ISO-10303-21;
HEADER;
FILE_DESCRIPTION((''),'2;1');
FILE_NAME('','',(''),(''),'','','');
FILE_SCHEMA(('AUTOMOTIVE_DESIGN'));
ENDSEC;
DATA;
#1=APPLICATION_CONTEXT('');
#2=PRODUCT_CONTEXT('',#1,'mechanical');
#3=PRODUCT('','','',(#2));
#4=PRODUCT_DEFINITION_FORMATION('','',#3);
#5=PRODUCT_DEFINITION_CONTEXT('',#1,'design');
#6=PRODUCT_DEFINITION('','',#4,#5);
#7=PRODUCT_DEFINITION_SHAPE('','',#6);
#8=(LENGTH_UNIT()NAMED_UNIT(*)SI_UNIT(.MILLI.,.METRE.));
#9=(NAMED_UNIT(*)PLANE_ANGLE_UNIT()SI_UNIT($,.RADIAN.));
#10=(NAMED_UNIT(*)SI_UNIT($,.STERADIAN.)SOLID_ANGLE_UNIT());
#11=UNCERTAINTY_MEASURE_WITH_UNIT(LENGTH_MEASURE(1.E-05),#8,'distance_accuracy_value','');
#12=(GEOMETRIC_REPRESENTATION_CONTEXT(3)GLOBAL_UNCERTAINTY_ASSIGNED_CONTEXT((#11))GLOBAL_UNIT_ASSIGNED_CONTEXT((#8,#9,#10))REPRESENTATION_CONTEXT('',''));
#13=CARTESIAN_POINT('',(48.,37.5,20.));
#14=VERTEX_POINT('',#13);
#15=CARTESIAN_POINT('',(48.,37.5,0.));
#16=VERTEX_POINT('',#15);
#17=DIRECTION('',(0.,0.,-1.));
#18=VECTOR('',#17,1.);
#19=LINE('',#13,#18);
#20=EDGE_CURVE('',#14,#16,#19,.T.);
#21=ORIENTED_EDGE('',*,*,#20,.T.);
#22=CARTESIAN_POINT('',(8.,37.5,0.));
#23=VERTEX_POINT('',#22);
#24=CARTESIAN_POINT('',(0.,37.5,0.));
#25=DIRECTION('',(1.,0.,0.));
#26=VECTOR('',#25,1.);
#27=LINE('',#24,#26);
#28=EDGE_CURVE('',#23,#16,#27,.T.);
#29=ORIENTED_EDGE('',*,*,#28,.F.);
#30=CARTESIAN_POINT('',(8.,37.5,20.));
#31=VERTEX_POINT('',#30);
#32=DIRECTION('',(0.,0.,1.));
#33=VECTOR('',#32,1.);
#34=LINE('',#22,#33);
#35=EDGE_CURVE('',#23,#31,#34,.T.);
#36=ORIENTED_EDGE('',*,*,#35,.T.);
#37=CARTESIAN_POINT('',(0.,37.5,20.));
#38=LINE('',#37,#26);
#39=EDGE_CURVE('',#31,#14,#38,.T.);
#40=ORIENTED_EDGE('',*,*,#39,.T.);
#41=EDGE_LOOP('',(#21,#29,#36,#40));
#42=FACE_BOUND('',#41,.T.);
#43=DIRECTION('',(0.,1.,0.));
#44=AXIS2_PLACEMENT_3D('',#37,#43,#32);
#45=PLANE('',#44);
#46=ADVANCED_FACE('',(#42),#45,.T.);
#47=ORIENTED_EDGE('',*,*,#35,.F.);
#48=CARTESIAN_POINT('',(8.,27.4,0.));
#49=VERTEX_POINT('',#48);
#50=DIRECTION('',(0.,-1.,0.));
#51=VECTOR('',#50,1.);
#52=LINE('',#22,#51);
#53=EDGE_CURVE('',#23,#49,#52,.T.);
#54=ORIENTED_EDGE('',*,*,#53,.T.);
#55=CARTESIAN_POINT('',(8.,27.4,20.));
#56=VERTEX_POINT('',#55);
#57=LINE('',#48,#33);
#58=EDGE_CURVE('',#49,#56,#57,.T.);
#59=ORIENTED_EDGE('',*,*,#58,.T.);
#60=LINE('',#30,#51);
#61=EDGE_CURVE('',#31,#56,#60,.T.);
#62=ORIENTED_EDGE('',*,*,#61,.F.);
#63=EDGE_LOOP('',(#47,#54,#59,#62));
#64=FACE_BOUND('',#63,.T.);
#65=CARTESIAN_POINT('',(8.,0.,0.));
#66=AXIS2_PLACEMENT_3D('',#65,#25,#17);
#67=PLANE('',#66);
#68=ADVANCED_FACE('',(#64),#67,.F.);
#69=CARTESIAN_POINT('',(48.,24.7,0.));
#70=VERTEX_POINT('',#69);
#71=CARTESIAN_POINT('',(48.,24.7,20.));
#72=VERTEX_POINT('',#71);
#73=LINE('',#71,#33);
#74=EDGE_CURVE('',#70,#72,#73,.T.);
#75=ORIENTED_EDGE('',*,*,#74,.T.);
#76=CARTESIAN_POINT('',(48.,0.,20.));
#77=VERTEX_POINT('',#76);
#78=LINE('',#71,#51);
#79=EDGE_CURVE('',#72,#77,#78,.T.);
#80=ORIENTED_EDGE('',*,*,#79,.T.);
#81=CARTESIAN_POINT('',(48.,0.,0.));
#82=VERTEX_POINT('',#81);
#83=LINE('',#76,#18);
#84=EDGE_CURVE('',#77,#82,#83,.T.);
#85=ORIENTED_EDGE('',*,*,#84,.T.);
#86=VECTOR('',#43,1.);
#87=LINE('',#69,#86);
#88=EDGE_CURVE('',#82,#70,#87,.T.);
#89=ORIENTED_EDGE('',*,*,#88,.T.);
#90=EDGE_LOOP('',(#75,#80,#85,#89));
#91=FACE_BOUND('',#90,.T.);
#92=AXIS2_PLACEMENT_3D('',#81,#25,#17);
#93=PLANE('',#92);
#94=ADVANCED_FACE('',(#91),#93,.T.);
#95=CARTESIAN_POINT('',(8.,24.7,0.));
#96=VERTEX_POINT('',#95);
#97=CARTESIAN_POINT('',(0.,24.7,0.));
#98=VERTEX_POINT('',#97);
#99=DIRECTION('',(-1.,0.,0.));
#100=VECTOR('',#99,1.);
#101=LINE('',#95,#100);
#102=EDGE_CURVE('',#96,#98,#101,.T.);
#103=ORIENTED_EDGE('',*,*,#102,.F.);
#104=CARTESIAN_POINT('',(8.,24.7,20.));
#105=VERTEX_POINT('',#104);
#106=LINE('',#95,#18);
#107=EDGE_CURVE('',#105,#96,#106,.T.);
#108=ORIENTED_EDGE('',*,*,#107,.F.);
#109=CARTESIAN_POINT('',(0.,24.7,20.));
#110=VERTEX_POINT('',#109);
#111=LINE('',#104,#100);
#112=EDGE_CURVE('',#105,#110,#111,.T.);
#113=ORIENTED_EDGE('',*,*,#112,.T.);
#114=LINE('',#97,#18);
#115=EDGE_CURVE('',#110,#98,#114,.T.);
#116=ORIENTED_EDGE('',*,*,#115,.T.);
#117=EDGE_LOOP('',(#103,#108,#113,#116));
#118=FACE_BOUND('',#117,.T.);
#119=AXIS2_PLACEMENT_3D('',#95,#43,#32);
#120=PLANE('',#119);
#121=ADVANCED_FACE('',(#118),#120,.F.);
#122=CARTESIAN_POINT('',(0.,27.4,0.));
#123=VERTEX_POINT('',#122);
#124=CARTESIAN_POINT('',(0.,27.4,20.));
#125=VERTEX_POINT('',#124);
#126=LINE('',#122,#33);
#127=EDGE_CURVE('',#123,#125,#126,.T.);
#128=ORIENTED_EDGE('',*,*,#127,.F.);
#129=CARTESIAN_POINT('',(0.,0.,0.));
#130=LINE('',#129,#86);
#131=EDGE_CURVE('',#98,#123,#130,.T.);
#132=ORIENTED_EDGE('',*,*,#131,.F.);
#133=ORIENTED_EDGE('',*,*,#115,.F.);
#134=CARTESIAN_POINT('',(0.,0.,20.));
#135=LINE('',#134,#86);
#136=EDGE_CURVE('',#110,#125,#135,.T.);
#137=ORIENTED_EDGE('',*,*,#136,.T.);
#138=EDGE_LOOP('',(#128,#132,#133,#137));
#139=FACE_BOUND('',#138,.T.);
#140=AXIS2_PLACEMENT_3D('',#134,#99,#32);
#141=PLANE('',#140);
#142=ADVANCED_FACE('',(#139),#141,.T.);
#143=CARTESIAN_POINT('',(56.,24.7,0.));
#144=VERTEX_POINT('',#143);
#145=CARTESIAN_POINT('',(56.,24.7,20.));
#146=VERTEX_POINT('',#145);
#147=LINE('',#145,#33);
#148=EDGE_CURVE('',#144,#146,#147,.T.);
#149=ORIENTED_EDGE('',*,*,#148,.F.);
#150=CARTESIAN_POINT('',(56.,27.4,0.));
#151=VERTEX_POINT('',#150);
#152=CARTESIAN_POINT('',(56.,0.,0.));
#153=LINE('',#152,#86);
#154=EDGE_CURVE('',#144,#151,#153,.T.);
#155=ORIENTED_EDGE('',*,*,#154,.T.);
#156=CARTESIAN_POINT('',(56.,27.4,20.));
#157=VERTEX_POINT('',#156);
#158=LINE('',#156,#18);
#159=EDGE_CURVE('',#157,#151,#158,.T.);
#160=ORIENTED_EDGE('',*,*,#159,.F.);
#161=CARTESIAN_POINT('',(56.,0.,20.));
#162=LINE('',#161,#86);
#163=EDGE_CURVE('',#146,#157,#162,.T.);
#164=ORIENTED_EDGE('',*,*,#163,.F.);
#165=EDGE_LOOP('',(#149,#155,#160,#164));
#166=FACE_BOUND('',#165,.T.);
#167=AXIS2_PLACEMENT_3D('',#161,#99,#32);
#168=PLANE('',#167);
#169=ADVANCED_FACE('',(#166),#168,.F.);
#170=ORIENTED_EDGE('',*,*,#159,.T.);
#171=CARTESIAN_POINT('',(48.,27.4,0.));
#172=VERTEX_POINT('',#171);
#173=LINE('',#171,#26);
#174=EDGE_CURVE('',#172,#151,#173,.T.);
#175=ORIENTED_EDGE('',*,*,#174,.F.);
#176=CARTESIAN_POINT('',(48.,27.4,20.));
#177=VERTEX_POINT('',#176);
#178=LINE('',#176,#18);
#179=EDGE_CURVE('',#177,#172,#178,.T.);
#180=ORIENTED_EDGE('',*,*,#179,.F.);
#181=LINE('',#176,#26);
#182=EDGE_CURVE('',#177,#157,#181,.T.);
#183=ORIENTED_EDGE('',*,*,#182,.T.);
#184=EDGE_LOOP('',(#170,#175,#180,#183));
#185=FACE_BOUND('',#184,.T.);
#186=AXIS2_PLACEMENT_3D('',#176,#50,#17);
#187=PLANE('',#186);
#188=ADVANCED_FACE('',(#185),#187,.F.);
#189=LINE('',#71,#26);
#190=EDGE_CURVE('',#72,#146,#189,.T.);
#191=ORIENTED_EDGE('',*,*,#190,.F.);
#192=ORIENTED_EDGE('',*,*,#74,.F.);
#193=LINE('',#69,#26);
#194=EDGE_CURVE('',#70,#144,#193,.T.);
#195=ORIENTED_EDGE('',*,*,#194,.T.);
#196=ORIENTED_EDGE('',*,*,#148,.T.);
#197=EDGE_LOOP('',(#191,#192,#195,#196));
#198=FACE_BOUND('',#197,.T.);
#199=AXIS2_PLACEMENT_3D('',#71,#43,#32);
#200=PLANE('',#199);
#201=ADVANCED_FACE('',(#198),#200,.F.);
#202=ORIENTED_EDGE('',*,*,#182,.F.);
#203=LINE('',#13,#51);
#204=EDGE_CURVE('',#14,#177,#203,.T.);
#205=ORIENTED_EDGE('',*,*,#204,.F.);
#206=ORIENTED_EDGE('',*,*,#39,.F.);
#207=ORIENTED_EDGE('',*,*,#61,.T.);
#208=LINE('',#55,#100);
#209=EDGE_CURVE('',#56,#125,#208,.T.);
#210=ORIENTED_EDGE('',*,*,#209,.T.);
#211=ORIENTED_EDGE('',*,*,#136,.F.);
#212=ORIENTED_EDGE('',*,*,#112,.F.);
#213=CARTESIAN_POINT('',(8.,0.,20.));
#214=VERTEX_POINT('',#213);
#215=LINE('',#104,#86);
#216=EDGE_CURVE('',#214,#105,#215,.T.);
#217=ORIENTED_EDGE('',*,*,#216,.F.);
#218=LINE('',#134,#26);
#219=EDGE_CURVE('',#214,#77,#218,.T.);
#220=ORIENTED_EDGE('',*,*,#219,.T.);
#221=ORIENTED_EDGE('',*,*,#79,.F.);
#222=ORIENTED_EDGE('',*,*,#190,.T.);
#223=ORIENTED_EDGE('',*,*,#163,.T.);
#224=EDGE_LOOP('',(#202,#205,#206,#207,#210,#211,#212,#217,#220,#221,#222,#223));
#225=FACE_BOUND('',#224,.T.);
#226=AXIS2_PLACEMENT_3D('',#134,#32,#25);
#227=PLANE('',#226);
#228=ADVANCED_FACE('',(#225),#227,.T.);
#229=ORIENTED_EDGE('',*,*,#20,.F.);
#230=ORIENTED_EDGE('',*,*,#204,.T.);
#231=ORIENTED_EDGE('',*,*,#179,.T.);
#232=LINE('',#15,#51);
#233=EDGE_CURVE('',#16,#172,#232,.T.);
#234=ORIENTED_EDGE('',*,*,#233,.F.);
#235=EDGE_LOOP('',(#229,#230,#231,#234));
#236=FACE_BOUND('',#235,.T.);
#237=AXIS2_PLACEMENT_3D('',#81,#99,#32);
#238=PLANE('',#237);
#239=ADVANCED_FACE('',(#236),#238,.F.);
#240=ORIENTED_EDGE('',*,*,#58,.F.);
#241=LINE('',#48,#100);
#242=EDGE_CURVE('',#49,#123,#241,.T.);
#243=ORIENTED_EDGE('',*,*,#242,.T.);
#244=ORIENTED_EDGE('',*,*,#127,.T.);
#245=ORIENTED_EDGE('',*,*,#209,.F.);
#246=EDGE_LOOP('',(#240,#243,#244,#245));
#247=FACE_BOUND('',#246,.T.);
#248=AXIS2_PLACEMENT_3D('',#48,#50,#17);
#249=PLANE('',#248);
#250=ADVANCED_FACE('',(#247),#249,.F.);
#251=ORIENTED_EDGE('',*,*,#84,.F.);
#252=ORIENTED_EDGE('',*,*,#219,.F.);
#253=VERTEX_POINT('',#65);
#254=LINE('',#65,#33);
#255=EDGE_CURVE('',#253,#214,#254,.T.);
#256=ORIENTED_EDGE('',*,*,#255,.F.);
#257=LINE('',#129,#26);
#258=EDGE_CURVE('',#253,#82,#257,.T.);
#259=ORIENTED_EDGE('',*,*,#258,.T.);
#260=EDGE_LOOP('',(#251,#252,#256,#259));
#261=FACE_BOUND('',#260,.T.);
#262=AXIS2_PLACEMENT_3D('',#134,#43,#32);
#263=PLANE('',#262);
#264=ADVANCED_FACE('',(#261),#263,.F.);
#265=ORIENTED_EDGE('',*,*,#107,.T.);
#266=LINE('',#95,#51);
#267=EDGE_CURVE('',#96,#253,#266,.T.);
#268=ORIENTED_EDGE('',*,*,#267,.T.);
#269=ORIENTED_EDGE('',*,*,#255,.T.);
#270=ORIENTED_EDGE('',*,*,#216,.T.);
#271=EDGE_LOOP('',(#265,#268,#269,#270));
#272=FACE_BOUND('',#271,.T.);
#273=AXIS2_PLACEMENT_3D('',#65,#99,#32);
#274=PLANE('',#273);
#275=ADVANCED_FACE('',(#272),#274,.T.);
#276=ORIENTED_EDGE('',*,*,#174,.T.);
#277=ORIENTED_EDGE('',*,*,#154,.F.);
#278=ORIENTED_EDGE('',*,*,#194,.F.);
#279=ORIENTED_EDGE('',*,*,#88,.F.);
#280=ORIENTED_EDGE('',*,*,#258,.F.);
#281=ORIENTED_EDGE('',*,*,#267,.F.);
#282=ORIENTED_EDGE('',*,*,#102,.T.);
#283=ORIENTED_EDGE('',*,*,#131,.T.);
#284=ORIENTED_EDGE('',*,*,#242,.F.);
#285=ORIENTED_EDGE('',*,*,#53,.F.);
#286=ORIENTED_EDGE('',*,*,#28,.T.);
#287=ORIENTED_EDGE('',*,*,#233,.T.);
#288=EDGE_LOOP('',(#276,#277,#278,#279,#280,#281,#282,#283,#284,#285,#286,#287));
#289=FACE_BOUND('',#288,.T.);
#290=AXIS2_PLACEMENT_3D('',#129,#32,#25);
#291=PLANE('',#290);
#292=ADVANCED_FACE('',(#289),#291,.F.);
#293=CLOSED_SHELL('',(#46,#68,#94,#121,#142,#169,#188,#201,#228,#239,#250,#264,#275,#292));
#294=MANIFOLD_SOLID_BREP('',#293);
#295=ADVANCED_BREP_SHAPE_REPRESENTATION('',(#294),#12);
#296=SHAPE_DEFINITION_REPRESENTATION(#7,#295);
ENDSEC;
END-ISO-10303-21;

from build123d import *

# Parameters (mm, degrees)
SKETCH1_W           = 8.153779141
SKETCH1_H           = 12.8
SKETCH1_H_2         = 24.7
SKETCH1_W_2         = 40
SKETCH1_W_3         = 7.846220859
BOSS_EXTRUDE1_DEPTH = 20
SKETCH4_W           = 20
SKETCH4_H           = 24.7
CUT_EXTRUDE1_DEPTH  = 8
SKETCH5_W           = 20
SKETCH5_H           = 24.7
CUT_EXTRUDE2_DEPTH  = 8
SKETCH6_W           = 20
SKETCH6_H           = 10.1
CUT_EXTRUDE3_DEPTH  = 8
SKETCH7_W           = 20
SKETCH7_H           = 10.1
CUT_EXTRUDE4_DEPTH  = 8


with BuildPart() as part:
    # Sketch1 → Boss-Extrude1 (new body)
    with BuildSketch(Plane.XY):
        with Locations((4.076889571, 31.1)):
            Rectangle(SKETCH1_W, SKETCH1_H)
        with Locations((4.076889571, 12.35)):
            Rectangle(SKETCH1_W, SKETCH1_H_2)
        with Locations((28.153779141, 31.1)):
            Rectangle(SKETCH1_W_2, SKETCH1_H)
        with Locations((28.153779141, 12.35)):
            Rectangle(SKETCH1_W_2, SKETCH1_H_2)
        with Locations((52.076889571, 31.1)):
            Rectangle(SKETCH1_W_3, SKETCH1_H)
        with Locations((52.076889571, 12.35)):
            Rectangle(SKETCH1_W_3, SKETCH1_H_2)
    extrude(amount=BOSS_EXTRUDE1_DEPTH)

    # Sketch4 → Cut-Extrude1 (cut)
    with BuildSketch(Plane.ZY):
        with Locations((10, 12.35)):
            Rectangle(SKETCH4_W, SKETCH4_H)
    extrude(amount=-CUT_EXTRUDE1_DEPTH, mode=Mode.SUBTRACT)

    # Sketch5 → Cut-Extrude2 (cut)
    with BuildSketch(Plane(origin=(56, 0, 0), x_dir=(0, 0, -1), z_dir=(1, 0, 0))):
        with Locations((-10, 12.35)):
            Rectangle(SKETCH5_W, SKETCH5_H)
    extrude(amount=-CUT_EXTRUDE2_DEPTH, mode=Mode.SUBTRACT)

    # Sketch6 → Cut-Extrude3 (cut)
    with BuildSketch(Plane(origin=(56, 0, 0), x_dir=(0, 0, -1), z_dir=(1, 0, 0))):
        with Locations((-10, 32.45)):
            Rectangle(SKETCH6_W, SKETCH6_H)
    extrude(amount=-CUT_EXTRUDE3_DEPTH, mode=Mode.SUBTRACT)

    # Sketch7 → Cut-Extrude4 (cut)
    with BuildSketch(Plane.ZY):
        with Locations((10, 32.45)):
            Rectangle(SKETCH7_W, SKETCH7_H)
    extrude(amount=-CUT_EXTRUDE4_DEPTH, mode=Mode.SUBTRACT)


solid = part.part
